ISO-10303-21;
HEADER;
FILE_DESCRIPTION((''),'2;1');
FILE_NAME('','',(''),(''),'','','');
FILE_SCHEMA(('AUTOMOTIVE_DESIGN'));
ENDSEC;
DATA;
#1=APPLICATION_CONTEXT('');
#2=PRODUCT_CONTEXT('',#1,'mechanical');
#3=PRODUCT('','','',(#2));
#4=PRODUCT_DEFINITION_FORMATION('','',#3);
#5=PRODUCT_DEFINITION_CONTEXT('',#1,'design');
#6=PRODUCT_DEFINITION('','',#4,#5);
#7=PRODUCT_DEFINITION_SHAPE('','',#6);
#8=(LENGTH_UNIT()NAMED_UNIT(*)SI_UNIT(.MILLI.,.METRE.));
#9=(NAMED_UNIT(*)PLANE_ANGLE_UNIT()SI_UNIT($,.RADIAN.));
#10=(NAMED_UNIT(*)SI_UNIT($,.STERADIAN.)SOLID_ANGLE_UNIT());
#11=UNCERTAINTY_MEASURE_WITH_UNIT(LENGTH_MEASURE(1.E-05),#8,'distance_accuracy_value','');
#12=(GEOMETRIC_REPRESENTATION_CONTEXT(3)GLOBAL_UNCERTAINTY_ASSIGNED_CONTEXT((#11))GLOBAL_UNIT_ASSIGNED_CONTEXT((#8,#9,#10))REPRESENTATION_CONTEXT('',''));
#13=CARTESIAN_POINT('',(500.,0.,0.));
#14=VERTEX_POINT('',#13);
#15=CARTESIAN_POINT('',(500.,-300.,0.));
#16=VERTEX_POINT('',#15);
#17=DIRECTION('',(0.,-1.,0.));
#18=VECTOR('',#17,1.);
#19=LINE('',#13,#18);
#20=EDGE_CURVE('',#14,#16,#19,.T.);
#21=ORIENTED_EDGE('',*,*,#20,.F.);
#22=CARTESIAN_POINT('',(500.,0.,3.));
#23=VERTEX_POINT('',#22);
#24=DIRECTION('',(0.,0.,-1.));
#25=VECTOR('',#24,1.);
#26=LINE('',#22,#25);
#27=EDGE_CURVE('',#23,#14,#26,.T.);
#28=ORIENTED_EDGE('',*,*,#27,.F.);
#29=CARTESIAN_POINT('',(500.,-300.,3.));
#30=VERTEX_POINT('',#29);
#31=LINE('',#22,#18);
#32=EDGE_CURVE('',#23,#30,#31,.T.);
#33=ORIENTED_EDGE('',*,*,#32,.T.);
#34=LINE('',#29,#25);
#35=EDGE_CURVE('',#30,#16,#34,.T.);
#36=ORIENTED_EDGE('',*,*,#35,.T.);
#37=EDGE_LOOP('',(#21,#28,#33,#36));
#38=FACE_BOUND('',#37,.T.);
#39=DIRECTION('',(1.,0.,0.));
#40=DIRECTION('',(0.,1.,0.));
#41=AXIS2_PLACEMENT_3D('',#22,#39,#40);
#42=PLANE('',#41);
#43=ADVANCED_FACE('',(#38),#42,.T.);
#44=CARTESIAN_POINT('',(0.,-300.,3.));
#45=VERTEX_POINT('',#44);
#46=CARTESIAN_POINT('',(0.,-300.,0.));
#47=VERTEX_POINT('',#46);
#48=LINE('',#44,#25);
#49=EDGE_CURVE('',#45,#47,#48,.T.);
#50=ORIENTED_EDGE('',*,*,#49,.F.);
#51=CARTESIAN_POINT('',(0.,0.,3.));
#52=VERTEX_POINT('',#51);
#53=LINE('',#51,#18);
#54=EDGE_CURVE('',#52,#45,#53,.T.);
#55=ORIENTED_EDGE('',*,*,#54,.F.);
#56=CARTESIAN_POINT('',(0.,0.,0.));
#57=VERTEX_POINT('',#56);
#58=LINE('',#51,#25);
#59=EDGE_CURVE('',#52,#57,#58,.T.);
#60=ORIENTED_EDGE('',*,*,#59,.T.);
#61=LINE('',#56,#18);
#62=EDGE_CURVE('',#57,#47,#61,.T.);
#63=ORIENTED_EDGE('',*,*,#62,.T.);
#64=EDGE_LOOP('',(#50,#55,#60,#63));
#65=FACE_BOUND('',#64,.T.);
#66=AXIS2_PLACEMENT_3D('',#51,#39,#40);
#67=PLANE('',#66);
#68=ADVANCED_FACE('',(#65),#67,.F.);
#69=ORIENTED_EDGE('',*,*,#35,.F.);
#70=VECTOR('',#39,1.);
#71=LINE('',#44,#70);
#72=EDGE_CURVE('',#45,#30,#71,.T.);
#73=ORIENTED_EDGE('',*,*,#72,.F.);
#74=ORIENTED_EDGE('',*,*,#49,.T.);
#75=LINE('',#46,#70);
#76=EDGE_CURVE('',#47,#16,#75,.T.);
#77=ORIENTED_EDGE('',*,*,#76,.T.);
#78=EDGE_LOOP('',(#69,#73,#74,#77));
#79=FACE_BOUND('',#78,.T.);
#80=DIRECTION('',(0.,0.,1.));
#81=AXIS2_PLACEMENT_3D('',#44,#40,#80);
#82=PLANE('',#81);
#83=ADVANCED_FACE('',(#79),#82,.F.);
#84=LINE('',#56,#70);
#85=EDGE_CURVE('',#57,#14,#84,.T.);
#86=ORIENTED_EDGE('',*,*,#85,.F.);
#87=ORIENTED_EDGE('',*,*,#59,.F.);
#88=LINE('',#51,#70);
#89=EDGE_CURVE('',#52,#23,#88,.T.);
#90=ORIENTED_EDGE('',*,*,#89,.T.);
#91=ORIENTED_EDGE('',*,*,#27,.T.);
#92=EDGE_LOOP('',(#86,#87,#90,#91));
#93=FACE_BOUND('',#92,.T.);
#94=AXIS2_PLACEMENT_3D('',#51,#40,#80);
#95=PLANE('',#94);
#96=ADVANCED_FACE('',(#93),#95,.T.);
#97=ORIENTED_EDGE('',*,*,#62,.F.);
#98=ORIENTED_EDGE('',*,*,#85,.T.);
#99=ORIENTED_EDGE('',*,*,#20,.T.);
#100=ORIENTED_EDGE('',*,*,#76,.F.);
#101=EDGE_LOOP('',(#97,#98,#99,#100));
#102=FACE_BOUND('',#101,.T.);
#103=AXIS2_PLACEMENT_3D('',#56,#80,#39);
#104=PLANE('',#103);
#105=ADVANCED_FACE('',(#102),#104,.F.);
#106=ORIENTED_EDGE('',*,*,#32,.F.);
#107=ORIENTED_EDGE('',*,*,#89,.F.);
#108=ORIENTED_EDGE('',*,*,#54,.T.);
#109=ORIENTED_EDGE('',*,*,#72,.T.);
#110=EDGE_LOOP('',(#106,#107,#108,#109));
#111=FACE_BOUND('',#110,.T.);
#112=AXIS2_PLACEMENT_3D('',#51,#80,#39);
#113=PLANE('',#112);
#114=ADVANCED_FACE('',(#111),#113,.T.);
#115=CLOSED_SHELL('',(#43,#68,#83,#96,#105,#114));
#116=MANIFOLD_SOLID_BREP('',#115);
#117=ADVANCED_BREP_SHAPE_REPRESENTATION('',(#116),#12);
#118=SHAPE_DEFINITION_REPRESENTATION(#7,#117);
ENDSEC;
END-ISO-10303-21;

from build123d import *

# Parameters (mm, degrees)
IZIM1_W                     = 500
IZIM1_H                     = 300
Y_KSEKLIK_EKSTR_ZYON1_DEPTH = 3


with BuildPart() as part:
    # Çizim1 → Yükseklik-Ekstrüzyon1 (new body)
    with BuildSketch(Plane.XY):
        with Locations((250, -150)):
            Rectangle(IZIM1_W, IZIM1_H)
    extrude(amount=Y_KSEKLIK_EKSTR_ZYON1_DEPTH)


solid = part.part
